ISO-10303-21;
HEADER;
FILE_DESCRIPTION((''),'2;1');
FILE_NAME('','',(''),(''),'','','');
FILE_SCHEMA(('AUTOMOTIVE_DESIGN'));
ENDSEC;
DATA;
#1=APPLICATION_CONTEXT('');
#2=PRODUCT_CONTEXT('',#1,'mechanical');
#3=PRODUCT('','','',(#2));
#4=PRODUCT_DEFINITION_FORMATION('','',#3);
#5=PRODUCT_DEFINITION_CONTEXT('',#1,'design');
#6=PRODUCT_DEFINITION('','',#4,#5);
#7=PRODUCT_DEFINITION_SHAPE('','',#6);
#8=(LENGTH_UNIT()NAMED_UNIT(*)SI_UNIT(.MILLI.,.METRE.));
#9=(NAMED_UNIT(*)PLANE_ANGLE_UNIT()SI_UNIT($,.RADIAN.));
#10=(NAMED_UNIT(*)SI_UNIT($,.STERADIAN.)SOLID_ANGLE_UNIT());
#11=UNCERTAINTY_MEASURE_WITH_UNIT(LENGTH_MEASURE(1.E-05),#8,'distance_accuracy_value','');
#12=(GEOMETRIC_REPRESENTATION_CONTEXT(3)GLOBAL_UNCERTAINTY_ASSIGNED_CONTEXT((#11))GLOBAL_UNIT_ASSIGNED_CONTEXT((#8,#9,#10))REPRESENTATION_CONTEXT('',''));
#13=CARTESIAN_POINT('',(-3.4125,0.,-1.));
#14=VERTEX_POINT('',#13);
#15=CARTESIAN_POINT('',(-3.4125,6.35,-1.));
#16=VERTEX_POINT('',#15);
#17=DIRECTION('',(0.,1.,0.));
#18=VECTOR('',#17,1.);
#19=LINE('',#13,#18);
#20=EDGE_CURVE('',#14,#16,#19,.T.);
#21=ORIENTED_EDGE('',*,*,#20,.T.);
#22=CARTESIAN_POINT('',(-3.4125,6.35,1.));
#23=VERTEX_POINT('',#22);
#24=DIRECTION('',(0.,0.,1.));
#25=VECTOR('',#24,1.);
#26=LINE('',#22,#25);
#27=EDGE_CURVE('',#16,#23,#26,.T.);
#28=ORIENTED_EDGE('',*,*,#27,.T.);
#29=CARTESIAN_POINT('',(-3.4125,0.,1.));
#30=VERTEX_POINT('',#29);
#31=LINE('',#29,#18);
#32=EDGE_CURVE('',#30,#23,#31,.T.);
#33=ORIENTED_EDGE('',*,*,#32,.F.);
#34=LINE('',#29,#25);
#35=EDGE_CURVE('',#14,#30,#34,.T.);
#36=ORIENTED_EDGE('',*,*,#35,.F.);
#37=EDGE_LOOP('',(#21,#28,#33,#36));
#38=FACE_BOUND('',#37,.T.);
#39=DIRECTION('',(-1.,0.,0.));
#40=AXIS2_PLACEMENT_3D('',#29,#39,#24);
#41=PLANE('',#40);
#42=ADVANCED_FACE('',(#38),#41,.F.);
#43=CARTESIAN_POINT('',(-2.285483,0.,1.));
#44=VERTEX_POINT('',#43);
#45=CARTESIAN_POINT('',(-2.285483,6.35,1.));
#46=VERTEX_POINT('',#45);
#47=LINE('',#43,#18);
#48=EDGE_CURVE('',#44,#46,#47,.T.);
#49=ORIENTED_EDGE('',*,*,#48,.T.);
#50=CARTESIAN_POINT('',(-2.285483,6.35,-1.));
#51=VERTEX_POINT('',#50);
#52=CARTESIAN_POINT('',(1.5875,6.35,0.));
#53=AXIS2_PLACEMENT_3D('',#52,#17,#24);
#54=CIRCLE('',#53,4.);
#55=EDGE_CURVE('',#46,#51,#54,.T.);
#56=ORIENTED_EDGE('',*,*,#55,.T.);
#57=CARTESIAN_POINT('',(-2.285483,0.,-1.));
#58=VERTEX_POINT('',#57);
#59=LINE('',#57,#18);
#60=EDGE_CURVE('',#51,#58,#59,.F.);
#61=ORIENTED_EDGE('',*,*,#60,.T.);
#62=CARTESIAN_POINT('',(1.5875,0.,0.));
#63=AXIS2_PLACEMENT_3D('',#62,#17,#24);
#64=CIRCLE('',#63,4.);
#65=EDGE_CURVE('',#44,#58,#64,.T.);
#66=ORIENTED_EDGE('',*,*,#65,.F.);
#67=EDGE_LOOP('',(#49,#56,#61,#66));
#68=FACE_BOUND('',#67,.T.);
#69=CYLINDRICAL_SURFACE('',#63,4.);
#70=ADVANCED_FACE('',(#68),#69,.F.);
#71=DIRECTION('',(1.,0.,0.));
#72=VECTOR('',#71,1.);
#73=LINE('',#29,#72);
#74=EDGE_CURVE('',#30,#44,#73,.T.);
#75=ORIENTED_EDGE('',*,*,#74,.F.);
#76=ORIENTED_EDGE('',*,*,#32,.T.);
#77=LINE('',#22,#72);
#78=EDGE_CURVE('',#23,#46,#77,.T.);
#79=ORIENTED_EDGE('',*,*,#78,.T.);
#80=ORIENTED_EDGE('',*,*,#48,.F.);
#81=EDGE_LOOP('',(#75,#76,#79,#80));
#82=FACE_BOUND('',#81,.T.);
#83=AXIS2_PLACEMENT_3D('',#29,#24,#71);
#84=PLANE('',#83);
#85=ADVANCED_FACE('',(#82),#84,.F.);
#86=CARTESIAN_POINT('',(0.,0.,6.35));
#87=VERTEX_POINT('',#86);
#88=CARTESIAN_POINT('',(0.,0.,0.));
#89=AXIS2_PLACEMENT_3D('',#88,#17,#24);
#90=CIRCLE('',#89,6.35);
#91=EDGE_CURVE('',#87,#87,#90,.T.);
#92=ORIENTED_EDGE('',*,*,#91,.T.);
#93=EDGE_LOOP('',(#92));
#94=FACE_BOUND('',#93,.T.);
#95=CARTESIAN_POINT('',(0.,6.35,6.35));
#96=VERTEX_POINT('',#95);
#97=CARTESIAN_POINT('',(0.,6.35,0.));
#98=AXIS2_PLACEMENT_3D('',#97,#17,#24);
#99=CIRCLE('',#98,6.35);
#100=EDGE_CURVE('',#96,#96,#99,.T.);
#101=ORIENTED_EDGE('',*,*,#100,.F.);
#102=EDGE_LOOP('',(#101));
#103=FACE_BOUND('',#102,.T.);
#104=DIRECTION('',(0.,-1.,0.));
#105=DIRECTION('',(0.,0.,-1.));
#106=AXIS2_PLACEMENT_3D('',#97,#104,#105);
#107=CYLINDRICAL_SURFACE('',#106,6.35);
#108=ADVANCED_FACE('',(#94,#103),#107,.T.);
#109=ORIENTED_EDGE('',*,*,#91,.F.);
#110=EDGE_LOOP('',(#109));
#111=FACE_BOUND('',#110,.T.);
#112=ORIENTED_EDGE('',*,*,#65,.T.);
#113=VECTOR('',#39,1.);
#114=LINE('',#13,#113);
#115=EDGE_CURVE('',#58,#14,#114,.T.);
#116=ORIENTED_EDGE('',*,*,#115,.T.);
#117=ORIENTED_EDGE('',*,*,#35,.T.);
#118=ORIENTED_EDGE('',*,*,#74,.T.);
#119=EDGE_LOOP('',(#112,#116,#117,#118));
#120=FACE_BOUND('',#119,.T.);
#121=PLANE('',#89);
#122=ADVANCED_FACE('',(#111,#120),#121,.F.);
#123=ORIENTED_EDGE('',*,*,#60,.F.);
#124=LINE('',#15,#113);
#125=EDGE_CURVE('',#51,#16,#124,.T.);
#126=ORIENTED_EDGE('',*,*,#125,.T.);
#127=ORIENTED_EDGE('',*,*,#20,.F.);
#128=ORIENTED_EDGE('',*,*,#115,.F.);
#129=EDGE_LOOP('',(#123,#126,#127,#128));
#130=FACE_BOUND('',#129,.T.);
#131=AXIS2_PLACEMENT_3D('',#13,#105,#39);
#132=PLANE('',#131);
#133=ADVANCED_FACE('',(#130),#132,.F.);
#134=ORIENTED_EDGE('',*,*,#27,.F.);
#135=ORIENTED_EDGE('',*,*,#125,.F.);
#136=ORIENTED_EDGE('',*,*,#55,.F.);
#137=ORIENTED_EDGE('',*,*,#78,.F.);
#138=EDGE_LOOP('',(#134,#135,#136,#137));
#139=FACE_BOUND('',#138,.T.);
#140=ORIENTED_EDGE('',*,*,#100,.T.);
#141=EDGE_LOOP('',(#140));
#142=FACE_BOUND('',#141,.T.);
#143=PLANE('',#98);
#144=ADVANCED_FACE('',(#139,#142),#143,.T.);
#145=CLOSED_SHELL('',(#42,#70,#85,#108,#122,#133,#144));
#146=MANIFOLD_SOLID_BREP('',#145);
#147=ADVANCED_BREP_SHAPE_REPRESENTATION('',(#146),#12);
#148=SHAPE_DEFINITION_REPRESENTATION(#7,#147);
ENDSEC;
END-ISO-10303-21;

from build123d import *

# Parameters (mm, degrees)
SKETCH1_R           = 6.35
BOSS_EXTRUDE1_DEPTH = 6.35
SKETCH2_R           = 4
CUT_EXTRUDE1_DEPTH  = 6.35
SKETCH3_W           = 2
SKETCH3_H           = 2
CUT_EXTRUDE2_DEPTH  = 6.35


with BuildPart() as part:
    # Sketch1 → Boss-Extrude1 (new body)
    with BuildSketch(Plane(origin=(0, 0, 0), x_dir=(1, 0, 0), z_dir=(0, 1, 0))):
        Circle(SKETCH1_R)
    extrude(amount=BOSS_EXTRUDE1_DEPTH)

    # Sketch2 → Cut-Extrude1 (cut)
    with BuildSketch(Plane(origin=(0, 6.35, 0), x_dir=(1, 0, 0), z_dir=(0, 1, 0))):
        with Locations((1.5875, 0)):
            Circle(SKETCH2_R)
    extrude(amount=-CUT_EXTRUDE1_DEPTH, mode=Mode.SUBTRACT)

    # Sketch3 → Cut-Extrude2 (cut)
    with BuildSketch(Plane(origin=(0, 6.35, 0), x_dir=(1, 0, 0), z_dir=(0, 1, 0))):
        with Locations((-2.4125, 0)):
            Rectangle(SKETCH3_W, SKETCH3_H)
    extrude(amount=-CUT_EXTRUDE2_DEPTH, mode=Mode.SUBTRACT)


solid = part.part
